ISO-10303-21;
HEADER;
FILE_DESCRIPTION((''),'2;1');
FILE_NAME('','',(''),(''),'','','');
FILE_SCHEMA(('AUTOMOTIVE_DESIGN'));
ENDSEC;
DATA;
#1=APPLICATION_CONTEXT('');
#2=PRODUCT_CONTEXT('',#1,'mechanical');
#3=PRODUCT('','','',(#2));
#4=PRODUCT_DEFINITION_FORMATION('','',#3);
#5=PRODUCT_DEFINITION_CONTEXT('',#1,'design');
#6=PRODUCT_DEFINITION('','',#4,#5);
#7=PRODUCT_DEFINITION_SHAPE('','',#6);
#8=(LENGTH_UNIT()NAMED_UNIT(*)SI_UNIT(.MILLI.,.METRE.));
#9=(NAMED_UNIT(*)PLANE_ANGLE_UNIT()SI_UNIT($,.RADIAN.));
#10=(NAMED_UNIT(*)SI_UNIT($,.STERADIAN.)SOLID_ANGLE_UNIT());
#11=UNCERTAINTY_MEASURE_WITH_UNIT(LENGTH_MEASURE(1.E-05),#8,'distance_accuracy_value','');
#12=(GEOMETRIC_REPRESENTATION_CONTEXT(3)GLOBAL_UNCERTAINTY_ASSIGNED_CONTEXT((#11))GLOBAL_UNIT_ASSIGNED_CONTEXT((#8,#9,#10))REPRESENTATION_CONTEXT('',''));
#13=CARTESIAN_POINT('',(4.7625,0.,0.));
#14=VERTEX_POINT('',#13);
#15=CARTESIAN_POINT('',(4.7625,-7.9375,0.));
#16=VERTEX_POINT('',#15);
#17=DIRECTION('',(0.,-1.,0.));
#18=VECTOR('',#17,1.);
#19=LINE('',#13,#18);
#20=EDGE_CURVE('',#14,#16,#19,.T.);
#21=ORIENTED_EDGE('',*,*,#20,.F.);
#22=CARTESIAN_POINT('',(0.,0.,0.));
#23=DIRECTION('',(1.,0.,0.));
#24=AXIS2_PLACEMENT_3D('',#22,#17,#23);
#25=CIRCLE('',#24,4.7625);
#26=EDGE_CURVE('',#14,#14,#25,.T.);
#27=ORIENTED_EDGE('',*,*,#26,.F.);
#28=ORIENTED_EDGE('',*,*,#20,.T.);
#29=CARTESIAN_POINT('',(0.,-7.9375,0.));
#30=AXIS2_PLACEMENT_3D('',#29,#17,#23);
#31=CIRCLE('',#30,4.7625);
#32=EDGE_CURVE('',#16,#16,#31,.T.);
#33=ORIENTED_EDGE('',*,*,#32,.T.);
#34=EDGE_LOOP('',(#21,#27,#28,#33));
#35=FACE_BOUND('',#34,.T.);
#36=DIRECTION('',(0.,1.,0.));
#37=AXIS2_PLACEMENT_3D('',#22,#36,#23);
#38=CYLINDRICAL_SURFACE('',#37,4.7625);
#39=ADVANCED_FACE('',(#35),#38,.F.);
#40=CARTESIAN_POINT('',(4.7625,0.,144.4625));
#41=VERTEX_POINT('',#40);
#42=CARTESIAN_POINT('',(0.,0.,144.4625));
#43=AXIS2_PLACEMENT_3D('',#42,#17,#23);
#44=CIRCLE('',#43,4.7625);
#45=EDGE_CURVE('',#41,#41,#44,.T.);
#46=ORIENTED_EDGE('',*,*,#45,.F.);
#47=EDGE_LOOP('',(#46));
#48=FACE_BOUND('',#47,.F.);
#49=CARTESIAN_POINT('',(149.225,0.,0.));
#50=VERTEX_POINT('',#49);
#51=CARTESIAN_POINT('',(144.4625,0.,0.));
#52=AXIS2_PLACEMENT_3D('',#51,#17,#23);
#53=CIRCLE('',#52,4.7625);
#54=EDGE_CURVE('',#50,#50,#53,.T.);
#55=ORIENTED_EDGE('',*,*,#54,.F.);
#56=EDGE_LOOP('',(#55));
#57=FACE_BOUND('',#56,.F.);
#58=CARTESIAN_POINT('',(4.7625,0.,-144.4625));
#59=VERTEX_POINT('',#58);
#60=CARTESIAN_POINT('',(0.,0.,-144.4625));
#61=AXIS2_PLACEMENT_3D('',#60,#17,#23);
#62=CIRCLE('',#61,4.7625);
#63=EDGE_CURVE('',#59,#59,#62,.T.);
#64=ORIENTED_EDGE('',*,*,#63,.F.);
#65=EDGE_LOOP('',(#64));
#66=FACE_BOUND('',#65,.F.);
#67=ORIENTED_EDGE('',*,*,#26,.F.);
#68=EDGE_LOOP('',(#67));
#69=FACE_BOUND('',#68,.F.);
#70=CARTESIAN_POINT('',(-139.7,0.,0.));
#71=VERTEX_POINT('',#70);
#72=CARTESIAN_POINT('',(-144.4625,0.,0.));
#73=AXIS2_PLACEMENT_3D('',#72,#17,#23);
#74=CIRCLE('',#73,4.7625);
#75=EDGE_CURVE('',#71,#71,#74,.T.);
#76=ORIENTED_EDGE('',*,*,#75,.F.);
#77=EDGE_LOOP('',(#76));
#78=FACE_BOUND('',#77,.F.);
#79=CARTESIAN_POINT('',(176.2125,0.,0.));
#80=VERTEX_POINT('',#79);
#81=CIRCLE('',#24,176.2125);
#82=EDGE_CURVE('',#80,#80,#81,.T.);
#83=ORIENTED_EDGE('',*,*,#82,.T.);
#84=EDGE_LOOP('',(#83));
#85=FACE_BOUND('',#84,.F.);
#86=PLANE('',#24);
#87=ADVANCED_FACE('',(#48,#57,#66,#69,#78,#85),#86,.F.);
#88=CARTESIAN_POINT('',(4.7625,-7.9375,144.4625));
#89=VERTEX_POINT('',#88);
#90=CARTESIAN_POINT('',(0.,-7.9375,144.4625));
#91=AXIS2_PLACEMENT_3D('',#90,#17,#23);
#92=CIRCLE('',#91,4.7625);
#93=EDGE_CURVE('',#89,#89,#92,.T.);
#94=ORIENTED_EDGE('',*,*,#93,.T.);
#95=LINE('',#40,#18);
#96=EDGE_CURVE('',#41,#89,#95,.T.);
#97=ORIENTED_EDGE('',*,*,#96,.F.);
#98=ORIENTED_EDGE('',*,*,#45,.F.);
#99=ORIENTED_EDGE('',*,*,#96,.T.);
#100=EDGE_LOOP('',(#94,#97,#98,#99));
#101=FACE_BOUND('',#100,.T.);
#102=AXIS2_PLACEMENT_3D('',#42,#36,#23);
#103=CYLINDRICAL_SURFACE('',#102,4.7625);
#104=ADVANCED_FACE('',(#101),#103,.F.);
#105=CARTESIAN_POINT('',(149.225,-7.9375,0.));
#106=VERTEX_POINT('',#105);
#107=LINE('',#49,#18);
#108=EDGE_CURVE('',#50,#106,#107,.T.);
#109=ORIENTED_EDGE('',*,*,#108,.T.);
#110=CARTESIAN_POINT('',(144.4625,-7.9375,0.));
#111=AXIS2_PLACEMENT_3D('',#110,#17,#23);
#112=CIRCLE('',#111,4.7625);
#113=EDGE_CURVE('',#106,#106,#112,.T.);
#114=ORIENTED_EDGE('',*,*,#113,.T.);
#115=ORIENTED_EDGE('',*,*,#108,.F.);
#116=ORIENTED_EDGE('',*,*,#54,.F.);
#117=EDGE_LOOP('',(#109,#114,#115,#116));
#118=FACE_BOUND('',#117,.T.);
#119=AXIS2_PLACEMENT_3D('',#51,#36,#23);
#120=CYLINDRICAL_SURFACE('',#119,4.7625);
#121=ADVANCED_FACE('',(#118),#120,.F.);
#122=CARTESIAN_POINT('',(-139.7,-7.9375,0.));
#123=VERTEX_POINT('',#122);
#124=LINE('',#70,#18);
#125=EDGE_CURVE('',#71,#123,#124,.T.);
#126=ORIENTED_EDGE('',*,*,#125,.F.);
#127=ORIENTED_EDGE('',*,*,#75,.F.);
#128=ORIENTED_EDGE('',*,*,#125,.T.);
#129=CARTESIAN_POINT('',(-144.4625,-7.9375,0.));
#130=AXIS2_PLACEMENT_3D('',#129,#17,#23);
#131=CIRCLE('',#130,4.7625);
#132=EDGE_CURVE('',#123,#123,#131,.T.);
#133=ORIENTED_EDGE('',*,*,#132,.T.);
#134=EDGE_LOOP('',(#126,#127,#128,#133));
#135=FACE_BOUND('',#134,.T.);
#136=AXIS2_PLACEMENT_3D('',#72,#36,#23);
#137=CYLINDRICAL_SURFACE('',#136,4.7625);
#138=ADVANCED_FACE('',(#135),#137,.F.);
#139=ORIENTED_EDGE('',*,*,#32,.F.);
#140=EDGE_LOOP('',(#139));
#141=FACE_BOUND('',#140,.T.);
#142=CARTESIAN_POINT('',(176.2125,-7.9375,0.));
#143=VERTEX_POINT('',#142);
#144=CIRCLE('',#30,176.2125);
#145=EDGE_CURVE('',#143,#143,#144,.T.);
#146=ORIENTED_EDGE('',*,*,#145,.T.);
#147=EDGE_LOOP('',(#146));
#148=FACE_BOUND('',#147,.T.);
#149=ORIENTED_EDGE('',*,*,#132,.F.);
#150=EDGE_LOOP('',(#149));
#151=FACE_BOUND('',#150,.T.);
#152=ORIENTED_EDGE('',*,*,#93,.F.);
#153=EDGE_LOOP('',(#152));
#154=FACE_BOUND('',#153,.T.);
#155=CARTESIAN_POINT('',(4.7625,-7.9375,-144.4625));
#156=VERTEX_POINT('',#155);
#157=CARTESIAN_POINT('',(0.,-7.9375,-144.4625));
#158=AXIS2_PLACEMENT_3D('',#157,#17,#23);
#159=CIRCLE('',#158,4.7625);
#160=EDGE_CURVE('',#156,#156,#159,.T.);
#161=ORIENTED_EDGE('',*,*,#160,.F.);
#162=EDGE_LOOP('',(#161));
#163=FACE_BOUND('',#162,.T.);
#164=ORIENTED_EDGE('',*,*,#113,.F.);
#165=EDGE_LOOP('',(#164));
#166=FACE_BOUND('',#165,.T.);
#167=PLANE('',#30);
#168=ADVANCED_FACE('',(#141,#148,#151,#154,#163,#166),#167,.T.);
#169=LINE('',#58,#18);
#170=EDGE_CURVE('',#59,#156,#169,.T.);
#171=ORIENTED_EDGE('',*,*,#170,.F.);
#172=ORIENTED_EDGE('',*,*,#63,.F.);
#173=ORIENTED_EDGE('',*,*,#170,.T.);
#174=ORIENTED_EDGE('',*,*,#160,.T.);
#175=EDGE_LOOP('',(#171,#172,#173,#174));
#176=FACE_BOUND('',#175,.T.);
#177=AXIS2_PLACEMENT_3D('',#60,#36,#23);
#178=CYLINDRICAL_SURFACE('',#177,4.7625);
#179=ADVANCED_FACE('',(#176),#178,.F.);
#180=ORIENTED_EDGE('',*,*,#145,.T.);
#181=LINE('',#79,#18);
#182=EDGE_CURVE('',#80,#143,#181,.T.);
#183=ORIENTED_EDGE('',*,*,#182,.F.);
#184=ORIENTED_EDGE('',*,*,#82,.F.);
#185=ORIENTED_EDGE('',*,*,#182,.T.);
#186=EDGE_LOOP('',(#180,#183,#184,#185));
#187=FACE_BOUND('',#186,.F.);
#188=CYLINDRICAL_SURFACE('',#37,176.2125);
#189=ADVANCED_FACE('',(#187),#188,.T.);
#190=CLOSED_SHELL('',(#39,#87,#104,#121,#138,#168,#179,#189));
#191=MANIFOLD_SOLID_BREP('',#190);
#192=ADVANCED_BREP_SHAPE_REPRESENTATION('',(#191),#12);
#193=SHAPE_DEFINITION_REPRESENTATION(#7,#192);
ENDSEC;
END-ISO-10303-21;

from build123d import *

# Parameters (mm, degrees)
F0_R     = 176.2125
F0_R_2   = 4.7625
F1_DEPTH = 7.9375


with BuildPart() as f1:
    # F0 (on Front) → F1 (new body)
    with BuildSketch(Plane.XZ):
        Circle(F0_R)
        with Locations((0, -144.4625)):
            Circle(F0_R_2, mode=Mode.SUBTRACT)
        with Locations((-144.4625, 0)):
            Circle(F0_R_2, mode=Mode.SUBTRACT)
        Circle(F0_R_2, mode=Mode.SUBTRACT)
        with Locations((144.4625, 0)):
            Circle(F0_R_2, mode=Mode.SUBTRACT)
        with Locations((0, 144.4625)):
            Circle(F0_R_2, mode=Mode.SUBTRACT)
    extrude(amount=F1_DEPTH)


solid = f1.part
